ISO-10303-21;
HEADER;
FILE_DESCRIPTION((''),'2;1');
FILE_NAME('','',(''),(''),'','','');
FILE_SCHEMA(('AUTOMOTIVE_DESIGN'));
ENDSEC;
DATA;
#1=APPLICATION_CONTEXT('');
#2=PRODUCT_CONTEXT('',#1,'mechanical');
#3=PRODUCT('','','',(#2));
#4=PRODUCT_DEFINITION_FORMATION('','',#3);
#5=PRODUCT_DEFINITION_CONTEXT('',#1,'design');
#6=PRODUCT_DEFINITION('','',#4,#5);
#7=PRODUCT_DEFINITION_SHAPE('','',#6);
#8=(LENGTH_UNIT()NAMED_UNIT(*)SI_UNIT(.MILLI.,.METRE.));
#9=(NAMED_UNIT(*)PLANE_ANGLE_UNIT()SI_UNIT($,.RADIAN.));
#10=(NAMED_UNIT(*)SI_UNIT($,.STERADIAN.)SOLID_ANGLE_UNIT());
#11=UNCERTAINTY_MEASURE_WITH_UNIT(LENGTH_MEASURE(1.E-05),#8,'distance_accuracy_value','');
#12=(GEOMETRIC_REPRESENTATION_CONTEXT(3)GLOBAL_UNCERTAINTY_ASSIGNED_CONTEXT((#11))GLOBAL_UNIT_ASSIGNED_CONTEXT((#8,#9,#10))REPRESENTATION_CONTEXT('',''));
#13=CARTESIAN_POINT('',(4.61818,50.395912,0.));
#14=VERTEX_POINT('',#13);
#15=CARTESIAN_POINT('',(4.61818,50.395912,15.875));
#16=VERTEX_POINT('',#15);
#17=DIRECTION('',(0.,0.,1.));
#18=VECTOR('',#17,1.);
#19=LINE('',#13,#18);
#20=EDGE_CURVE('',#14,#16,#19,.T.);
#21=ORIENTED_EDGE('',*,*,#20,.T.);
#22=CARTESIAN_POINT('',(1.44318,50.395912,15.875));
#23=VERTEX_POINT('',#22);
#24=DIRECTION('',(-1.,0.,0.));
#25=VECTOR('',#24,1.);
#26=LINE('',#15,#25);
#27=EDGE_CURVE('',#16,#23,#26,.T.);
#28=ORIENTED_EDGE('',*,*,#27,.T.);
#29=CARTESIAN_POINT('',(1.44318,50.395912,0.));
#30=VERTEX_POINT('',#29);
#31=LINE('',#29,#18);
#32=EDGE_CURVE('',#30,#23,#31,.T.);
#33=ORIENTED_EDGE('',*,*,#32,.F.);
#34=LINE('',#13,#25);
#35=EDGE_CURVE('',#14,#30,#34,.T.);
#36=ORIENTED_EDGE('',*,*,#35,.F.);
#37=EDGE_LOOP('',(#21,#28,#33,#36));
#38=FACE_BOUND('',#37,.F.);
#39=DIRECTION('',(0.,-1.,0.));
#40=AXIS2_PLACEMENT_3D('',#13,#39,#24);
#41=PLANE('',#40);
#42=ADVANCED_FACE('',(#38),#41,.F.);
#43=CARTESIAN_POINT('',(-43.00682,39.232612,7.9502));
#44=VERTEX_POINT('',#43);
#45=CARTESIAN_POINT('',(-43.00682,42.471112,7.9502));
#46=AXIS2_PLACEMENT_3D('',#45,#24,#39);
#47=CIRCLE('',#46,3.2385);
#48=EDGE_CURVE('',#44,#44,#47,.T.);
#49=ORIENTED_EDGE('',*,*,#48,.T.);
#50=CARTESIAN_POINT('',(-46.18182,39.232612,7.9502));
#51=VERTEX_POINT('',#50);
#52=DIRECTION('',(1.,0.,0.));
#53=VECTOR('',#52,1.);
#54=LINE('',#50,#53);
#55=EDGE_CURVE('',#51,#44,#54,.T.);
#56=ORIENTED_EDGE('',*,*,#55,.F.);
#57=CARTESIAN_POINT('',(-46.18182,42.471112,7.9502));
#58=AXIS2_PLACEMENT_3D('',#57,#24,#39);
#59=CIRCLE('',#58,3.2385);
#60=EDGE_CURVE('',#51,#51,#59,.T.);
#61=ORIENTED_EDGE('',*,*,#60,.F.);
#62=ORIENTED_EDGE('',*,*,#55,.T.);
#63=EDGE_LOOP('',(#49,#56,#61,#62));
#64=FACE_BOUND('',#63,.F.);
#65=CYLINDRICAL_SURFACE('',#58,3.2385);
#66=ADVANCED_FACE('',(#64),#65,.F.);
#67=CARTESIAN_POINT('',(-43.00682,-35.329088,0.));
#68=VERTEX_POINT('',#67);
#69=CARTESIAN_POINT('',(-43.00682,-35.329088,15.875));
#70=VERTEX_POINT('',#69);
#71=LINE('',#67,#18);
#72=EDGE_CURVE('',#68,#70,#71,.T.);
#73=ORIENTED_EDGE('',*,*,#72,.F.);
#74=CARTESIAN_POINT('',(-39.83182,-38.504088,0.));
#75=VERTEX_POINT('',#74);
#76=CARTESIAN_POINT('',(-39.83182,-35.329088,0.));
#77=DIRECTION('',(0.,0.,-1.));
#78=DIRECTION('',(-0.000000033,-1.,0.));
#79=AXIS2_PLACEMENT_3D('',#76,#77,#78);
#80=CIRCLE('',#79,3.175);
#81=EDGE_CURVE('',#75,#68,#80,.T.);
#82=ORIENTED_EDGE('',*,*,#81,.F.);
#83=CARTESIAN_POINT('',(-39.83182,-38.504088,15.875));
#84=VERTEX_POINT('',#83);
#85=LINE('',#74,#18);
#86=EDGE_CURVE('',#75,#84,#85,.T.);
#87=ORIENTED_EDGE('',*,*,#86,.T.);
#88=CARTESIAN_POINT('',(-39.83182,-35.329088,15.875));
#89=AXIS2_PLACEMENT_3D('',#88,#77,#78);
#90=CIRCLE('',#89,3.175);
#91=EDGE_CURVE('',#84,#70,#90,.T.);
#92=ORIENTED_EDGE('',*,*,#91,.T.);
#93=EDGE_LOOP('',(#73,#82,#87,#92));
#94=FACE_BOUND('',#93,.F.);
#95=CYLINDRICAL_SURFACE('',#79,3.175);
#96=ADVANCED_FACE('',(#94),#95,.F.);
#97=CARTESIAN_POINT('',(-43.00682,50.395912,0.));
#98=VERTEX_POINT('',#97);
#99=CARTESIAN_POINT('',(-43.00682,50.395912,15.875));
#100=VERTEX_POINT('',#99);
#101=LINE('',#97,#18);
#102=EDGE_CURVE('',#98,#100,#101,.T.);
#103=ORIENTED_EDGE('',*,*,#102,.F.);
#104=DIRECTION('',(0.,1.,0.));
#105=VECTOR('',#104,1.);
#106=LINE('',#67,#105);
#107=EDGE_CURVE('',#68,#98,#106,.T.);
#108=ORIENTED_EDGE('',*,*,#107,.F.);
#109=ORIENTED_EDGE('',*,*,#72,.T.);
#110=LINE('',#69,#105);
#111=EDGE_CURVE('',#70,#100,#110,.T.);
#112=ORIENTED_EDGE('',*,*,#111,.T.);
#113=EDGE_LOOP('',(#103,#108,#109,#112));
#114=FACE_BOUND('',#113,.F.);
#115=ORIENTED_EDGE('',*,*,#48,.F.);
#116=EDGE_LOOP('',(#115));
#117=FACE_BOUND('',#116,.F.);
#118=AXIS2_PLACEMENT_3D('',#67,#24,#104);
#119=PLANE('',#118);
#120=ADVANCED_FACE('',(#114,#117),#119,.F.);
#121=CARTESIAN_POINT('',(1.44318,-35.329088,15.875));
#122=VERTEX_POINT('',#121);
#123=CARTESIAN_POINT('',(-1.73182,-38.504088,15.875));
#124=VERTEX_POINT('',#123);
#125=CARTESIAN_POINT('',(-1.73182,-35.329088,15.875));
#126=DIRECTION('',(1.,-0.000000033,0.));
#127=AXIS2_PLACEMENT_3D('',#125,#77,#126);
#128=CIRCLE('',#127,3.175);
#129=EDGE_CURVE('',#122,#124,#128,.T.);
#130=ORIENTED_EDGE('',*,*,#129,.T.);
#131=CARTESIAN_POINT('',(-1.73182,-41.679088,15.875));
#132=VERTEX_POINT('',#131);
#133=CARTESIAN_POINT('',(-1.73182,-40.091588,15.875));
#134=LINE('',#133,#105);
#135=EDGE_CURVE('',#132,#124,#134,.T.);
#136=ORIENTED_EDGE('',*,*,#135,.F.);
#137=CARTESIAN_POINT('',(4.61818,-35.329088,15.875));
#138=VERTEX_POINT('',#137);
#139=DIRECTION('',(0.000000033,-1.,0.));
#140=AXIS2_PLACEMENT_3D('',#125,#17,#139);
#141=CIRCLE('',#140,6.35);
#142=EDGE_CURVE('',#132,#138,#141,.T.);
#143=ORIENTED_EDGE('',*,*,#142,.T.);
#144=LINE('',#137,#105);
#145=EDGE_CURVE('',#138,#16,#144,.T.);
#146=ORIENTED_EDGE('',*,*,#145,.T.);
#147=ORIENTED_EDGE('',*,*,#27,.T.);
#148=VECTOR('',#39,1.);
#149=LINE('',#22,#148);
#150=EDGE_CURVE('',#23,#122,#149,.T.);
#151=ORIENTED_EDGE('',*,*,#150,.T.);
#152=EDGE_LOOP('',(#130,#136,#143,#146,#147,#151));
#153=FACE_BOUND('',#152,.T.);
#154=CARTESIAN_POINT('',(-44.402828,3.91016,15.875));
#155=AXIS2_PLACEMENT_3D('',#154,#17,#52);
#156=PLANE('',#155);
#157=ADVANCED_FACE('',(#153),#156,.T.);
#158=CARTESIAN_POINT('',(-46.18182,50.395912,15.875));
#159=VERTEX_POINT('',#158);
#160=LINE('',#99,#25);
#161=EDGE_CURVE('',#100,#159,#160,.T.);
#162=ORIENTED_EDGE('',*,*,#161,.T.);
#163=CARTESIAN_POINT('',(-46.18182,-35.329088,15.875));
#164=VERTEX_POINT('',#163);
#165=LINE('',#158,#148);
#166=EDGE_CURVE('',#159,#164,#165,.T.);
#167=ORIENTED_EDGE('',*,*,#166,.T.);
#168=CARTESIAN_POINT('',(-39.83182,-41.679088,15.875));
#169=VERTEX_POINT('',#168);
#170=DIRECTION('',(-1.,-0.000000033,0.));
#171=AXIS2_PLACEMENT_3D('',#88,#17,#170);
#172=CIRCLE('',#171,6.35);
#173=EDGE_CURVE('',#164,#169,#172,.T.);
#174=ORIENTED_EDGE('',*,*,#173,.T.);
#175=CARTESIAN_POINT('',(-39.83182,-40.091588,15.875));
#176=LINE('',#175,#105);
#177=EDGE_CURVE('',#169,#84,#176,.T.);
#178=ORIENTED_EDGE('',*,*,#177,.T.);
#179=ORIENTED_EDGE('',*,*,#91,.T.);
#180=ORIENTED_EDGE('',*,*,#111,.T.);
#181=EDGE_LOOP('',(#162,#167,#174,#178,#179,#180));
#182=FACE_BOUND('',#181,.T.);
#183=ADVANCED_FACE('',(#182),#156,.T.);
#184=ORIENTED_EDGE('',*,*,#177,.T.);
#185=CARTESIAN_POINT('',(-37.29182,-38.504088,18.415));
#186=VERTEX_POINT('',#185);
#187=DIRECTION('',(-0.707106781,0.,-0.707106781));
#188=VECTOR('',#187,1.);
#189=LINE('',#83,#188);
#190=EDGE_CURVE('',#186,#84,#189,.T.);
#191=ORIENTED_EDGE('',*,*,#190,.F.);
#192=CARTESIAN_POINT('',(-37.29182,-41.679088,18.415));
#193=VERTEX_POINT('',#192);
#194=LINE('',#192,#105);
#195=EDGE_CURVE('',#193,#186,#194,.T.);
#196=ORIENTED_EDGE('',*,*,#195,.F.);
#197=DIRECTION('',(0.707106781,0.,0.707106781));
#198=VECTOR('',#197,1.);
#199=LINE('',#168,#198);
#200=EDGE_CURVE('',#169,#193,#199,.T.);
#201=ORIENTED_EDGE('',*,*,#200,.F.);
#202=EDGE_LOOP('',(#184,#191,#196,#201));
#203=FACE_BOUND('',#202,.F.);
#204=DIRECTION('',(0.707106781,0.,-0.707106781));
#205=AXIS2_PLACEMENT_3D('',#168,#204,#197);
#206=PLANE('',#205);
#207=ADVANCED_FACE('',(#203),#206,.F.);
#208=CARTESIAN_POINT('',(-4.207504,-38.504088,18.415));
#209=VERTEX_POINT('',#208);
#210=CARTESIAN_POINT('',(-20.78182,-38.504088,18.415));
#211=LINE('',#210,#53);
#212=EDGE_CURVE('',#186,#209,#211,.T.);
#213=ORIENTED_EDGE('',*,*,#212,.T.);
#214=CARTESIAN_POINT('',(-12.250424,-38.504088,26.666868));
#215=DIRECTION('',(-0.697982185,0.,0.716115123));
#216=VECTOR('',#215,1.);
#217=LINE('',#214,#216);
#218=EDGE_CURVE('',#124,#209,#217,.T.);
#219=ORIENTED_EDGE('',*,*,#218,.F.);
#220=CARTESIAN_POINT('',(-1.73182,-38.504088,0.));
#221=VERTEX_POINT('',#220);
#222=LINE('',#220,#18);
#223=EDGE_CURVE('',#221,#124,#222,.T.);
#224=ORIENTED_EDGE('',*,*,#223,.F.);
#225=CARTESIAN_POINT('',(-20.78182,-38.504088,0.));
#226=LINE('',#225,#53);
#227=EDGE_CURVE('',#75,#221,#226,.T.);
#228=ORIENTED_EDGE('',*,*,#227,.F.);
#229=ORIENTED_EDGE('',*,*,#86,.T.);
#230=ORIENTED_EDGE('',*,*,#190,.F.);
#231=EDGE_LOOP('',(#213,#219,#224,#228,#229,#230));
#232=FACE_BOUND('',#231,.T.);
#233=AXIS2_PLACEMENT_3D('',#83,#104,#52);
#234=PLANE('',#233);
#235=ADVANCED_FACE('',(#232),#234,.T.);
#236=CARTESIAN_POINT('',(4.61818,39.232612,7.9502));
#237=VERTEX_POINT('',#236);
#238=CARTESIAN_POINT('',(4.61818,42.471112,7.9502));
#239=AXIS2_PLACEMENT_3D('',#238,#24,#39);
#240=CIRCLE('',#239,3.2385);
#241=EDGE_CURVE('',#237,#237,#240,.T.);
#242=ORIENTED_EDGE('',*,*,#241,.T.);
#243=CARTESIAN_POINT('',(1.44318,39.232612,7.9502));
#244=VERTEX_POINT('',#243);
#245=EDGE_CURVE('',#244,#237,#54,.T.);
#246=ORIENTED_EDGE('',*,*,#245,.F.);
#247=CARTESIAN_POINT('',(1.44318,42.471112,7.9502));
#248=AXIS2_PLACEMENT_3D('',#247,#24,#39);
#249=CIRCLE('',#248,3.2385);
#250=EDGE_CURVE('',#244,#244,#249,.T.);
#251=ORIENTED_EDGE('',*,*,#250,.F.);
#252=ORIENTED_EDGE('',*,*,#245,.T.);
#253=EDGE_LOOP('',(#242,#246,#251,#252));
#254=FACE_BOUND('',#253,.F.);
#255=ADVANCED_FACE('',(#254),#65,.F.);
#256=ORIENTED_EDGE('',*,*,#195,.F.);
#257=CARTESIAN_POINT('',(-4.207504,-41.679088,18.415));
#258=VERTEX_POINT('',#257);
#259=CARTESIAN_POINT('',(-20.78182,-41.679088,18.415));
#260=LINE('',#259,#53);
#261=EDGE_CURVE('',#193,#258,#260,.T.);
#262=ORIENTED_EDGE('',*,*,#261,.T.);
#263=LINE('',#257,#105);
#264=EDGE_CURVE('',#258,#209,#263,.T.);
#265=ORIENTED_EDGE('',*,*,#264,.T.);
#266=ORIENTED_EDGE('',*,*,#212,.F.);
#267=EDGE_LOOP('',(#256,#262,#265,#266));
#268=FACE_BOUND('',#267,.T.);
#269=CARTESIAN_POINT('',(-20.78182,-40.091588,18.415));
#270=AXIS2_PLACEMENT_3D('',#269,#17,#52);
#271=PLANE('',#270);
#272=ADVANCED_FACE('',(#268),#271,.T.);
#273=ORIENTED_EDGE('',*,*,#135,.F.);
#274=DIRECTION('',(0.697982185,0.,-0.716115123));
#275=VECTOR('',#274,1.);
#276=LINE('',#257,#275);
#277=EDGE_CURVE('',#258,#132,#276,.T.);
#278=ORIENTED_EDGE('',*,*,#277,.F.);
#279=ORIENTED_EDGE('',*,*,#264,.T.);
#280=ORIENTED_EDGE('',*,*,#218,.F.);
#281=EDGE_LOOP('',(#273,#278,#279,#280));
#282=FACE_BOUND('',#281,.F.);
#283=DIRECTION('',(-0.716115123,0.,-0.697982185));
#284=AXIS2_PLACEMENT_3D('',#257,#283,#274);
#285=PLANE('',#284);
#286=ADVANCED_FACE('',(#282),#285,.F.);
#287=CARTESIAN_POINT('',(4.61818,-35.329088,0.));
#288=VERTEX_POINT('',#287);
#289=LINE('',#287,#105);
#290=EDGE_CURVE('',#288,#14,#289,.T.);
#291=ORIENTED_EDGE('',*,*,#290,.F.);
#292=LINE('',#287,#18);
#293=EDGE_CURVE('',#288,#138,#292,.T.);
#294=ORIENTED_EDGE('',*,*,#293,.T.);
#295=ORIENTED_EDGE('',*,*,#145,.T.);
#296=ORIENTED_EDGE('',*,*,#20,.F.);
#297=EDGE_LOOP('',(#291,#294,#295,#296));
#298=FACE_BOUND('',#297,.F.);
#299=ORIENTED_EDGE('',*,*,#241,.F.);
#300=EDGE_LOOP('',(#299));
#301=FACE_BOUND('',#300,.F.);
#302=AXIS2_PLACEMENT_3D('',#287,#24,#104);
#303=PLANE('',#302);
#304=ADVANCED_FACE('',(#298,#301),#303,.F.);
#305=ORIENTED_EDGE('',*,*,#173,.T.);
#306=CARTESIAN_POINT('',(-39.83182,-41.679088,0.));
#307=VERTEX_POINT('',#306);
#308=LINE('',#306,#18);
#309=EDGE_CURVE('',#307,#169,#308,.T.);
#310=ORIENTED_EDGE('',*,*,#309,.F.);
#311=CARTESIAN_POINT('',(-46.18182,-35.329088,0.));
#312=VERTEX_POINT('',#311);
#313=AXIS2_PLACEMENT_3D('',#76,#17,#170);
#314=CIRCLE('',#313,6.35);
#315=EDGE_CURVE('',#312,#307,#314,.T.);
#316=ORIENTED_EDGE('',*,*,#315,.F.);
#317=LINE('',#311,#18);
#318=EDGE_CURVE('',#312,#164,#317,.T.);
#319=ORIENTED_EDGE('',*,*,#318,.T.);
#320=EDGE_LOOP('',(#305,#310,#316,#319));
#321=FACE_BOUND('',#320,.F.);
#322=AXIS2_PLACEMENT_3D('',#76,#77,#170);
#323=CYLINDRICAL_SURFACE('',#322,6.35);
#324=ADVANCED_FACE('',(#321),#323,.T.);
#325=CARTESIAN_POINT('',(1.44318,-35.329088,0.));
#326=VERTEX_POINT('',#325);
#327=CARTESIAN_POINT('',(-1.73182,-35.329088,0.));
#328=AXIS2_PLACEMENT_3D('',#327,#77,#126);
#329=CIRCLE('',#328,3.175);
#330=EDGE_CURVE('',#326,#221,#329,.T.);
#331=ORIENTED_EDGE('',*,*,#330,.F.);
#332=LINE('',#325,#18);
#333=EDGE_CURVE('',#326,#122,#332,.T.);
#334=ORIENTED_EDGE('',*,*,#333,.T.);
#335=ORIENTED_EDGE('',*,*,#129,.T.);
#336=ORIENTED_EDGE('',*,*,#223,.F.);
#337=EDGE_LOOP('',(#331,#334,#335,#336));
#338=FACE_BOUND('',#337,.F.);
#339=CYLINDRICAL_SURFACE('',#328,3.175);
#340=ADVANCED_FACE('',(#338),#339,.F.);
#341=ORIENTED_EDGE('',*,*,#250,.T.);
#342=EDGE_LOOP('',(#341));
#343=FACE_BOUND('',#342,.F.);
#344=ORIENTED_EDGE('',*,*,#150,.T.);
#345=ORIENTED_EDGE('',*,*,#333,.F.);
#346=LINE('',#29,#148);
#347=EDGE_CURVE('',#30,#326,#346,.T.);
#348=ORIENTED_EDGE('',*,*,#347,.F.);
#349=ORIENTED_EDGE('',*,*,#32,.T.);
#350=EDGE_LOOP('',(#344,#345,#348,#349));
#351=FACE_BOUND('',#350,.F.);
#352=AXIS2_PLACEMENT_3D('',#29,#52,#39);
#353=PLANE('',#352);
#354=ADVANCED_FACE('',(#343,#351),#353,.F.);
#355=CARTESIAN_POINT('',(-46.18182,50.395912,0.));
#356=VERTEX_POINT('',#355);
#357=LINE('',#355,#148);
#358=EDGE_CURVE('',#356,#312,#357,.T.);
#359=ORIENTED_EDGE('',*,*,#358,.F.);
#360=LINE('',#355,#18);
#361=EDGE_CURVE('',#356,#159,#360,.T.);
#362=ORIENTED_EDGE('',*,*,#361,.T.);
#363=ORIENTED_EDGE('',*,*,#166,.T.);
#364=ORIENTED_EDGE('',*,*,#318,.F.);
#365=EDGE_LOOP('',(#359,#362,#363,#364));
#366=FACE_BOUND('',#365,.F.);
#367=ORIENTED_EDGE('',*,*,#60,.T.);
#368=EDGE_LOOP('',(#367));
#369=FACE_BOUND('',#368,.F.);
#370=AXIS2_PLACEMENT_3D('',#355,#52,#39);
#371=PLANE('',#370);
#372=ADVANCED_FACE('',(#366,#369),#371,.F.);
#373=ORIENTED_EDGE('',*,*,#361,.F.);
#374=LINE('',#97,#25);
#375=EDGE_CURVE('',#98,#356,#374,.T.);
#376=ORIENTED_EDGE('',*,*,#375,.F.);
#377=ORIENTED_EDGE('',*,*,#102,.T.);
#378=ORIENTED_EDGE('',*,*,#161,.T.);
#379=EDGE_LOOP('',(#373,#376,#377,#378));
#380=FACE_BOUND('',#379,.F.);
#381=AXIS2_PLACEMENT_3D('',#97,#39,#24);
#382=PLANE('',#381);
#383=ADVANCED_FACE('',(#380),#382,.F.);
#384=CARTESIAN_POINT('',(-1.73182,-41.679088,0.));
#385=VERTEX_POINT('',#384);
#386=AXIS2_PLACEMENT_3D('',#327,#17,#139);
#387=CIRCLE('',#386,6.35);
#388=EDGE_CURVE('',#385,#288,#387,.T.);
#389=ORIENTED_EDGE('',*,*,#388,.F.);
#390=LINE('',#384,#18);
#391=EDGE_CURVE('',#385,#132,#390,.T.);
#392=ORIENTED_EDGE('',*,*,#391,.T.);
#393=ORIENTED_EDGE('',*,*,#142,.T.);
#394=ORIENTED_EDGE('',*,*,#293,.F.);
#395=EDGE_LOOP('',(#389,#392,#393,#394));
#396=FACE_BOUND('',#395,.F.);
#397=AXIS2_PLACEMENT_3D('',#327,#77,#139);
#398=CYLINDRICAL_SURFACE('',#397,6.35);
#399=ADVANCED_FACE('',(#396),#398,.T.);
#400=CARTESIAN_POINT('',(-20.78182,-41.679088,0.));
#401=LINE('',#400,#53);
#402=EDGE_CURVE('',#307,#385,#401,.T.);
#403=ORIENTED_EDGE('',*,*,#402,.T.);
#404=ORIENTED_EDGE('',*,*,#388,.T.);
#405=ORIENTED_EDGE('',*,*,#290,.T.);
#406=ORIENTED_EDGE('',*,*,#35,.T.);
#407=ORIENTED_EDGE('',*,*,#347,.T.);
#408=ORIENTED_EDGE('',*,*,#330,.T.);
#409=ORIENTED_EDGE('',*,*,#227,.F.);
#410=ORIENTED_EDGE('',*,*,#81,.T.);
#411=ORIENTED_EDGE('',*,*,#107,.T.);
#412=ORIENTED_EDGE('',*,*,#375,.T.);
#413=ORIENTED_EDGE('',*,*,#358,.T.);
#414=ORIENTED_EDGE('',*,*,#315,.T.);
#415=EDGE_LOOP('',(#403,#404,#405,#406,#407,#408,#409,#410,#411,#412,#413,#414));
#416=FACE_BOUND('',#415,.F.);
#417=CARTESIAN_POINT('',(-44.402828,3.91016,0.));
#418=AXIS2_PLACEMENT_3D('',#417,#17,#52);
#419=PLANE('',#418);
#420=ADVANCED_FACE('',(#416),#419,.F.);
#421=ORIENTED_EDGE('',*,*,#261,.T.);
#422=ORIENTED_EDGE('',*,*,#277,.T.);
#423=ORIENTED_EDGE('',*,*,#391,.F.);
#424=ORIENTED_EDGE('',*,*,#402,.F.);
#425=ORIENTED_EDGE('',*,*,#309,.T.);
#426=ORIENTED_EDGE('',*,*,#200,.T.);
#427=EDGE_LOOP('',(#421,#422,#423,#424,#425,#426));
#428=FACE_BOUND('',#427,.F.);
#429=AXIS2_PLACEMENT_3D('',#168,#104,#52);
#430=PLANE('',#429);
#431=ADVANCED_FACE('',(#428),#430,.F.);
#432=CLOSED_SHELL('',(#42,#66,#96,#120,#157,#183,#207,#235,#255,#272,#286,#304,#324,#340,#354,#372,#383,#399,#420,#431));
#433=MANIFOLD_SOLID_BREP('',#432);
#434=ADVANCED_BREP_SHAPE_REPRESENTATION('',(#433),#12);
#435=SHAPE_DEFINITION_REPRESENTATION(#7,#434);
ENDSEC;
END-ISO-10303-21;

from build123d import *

# Parameters (mm, degrees)
F0_W     = 38.1
F0_H     = 3.175
F1_DEPTH = 15.875
F2_W     = 38.1
F2_H     = 3.175
F3_DEPTH = 2.54
F5_DEPTH = 25.4
F6_R     = 3.2385
F7_DEPTH = 101.6


with BuildPart() as f1:
    # F0 (on Top) → F1 (new body)
    with BuildSketch(Plane.XY):
        with BuildLine():
            Line((-43.00682, 50.395912), (-46.18182, 50.395912))
            Line((-46.18182, 50.395912), (-46.18182, -35.329088))
            ThreePointArc((-46.18182, -35.329088), (-44.321948, -39.819216), (-39.83182, -41.679088))
            Line((-39.83182, -41.679088), (-39.83182, -38.504088))
            ThreePointArc((-39.83182, -38.504088), (-42.076884, -37.574152), (-43.00682, -35.329088))
            Line((-43.00682, -35.329088), (-43.00682, 50.395912))
        make_face()
        with Locations((-20.78182, -40.091588)):
            Rectangle(F0_W, F0_H)
        with BuildLine():
            Line((-1.73182, -38.504088), (-1.73182, -41.679088))
            ThreePointArc((-1.73182, -41.679088), (2.758308, -39.819216), (4.61818, -35.329088))
            Line((4.61818, -35.329088), (4.61818, 50.395912))
            Line((4.61818, 50.395912), (1.44318, 50.395912))
            Line((1.44318, 50.395912), (1.44318, -35.329088))
            ThreePointArc((1.44318, -35.329088), (0.513244, -37.574152), (-1.73182, -38.504088))
        make_face()
    extrude(amount=F1_DEPTH)

    # F2 (on face) → F3 (join)
    with BuildSketch(Plane.XY.offset(15.875)):
        with Locations((-20.78182, -40.091588)):
            Rectangle(F2_W, F2_H)
    extrude(amount=F3_DEPTH)

    # F4 (on face) → F5 (cut)
    with BuildSketch(Plane.XZ.offset(41.679088)):
        Polygon((-39.83182, 18.415), (-39.83182, 15.875), (-37.29182, 18.415), align=None)
        Polygon((-1.73182, 18.415), (-4.207504, 18.415), (-1.73182, 15.875), align=None)
    extrude(amount=-F5_DEPTH, mode=Mode.SUBTRACT)

    # F6 (on face) → F7 (cut)
    with BuildSketch(Plane(origin=(-46.18182, 0, 0), x_dir=(0, -1, 0), z_dir=(-1, 0, 0))):
        with Locations((-42.471112, 7.9502)):
            Circle(F6_R)
    extrude(amount=-F7_DEPTH, mode=Mode.SUBTRACT)


solid = f1.part
